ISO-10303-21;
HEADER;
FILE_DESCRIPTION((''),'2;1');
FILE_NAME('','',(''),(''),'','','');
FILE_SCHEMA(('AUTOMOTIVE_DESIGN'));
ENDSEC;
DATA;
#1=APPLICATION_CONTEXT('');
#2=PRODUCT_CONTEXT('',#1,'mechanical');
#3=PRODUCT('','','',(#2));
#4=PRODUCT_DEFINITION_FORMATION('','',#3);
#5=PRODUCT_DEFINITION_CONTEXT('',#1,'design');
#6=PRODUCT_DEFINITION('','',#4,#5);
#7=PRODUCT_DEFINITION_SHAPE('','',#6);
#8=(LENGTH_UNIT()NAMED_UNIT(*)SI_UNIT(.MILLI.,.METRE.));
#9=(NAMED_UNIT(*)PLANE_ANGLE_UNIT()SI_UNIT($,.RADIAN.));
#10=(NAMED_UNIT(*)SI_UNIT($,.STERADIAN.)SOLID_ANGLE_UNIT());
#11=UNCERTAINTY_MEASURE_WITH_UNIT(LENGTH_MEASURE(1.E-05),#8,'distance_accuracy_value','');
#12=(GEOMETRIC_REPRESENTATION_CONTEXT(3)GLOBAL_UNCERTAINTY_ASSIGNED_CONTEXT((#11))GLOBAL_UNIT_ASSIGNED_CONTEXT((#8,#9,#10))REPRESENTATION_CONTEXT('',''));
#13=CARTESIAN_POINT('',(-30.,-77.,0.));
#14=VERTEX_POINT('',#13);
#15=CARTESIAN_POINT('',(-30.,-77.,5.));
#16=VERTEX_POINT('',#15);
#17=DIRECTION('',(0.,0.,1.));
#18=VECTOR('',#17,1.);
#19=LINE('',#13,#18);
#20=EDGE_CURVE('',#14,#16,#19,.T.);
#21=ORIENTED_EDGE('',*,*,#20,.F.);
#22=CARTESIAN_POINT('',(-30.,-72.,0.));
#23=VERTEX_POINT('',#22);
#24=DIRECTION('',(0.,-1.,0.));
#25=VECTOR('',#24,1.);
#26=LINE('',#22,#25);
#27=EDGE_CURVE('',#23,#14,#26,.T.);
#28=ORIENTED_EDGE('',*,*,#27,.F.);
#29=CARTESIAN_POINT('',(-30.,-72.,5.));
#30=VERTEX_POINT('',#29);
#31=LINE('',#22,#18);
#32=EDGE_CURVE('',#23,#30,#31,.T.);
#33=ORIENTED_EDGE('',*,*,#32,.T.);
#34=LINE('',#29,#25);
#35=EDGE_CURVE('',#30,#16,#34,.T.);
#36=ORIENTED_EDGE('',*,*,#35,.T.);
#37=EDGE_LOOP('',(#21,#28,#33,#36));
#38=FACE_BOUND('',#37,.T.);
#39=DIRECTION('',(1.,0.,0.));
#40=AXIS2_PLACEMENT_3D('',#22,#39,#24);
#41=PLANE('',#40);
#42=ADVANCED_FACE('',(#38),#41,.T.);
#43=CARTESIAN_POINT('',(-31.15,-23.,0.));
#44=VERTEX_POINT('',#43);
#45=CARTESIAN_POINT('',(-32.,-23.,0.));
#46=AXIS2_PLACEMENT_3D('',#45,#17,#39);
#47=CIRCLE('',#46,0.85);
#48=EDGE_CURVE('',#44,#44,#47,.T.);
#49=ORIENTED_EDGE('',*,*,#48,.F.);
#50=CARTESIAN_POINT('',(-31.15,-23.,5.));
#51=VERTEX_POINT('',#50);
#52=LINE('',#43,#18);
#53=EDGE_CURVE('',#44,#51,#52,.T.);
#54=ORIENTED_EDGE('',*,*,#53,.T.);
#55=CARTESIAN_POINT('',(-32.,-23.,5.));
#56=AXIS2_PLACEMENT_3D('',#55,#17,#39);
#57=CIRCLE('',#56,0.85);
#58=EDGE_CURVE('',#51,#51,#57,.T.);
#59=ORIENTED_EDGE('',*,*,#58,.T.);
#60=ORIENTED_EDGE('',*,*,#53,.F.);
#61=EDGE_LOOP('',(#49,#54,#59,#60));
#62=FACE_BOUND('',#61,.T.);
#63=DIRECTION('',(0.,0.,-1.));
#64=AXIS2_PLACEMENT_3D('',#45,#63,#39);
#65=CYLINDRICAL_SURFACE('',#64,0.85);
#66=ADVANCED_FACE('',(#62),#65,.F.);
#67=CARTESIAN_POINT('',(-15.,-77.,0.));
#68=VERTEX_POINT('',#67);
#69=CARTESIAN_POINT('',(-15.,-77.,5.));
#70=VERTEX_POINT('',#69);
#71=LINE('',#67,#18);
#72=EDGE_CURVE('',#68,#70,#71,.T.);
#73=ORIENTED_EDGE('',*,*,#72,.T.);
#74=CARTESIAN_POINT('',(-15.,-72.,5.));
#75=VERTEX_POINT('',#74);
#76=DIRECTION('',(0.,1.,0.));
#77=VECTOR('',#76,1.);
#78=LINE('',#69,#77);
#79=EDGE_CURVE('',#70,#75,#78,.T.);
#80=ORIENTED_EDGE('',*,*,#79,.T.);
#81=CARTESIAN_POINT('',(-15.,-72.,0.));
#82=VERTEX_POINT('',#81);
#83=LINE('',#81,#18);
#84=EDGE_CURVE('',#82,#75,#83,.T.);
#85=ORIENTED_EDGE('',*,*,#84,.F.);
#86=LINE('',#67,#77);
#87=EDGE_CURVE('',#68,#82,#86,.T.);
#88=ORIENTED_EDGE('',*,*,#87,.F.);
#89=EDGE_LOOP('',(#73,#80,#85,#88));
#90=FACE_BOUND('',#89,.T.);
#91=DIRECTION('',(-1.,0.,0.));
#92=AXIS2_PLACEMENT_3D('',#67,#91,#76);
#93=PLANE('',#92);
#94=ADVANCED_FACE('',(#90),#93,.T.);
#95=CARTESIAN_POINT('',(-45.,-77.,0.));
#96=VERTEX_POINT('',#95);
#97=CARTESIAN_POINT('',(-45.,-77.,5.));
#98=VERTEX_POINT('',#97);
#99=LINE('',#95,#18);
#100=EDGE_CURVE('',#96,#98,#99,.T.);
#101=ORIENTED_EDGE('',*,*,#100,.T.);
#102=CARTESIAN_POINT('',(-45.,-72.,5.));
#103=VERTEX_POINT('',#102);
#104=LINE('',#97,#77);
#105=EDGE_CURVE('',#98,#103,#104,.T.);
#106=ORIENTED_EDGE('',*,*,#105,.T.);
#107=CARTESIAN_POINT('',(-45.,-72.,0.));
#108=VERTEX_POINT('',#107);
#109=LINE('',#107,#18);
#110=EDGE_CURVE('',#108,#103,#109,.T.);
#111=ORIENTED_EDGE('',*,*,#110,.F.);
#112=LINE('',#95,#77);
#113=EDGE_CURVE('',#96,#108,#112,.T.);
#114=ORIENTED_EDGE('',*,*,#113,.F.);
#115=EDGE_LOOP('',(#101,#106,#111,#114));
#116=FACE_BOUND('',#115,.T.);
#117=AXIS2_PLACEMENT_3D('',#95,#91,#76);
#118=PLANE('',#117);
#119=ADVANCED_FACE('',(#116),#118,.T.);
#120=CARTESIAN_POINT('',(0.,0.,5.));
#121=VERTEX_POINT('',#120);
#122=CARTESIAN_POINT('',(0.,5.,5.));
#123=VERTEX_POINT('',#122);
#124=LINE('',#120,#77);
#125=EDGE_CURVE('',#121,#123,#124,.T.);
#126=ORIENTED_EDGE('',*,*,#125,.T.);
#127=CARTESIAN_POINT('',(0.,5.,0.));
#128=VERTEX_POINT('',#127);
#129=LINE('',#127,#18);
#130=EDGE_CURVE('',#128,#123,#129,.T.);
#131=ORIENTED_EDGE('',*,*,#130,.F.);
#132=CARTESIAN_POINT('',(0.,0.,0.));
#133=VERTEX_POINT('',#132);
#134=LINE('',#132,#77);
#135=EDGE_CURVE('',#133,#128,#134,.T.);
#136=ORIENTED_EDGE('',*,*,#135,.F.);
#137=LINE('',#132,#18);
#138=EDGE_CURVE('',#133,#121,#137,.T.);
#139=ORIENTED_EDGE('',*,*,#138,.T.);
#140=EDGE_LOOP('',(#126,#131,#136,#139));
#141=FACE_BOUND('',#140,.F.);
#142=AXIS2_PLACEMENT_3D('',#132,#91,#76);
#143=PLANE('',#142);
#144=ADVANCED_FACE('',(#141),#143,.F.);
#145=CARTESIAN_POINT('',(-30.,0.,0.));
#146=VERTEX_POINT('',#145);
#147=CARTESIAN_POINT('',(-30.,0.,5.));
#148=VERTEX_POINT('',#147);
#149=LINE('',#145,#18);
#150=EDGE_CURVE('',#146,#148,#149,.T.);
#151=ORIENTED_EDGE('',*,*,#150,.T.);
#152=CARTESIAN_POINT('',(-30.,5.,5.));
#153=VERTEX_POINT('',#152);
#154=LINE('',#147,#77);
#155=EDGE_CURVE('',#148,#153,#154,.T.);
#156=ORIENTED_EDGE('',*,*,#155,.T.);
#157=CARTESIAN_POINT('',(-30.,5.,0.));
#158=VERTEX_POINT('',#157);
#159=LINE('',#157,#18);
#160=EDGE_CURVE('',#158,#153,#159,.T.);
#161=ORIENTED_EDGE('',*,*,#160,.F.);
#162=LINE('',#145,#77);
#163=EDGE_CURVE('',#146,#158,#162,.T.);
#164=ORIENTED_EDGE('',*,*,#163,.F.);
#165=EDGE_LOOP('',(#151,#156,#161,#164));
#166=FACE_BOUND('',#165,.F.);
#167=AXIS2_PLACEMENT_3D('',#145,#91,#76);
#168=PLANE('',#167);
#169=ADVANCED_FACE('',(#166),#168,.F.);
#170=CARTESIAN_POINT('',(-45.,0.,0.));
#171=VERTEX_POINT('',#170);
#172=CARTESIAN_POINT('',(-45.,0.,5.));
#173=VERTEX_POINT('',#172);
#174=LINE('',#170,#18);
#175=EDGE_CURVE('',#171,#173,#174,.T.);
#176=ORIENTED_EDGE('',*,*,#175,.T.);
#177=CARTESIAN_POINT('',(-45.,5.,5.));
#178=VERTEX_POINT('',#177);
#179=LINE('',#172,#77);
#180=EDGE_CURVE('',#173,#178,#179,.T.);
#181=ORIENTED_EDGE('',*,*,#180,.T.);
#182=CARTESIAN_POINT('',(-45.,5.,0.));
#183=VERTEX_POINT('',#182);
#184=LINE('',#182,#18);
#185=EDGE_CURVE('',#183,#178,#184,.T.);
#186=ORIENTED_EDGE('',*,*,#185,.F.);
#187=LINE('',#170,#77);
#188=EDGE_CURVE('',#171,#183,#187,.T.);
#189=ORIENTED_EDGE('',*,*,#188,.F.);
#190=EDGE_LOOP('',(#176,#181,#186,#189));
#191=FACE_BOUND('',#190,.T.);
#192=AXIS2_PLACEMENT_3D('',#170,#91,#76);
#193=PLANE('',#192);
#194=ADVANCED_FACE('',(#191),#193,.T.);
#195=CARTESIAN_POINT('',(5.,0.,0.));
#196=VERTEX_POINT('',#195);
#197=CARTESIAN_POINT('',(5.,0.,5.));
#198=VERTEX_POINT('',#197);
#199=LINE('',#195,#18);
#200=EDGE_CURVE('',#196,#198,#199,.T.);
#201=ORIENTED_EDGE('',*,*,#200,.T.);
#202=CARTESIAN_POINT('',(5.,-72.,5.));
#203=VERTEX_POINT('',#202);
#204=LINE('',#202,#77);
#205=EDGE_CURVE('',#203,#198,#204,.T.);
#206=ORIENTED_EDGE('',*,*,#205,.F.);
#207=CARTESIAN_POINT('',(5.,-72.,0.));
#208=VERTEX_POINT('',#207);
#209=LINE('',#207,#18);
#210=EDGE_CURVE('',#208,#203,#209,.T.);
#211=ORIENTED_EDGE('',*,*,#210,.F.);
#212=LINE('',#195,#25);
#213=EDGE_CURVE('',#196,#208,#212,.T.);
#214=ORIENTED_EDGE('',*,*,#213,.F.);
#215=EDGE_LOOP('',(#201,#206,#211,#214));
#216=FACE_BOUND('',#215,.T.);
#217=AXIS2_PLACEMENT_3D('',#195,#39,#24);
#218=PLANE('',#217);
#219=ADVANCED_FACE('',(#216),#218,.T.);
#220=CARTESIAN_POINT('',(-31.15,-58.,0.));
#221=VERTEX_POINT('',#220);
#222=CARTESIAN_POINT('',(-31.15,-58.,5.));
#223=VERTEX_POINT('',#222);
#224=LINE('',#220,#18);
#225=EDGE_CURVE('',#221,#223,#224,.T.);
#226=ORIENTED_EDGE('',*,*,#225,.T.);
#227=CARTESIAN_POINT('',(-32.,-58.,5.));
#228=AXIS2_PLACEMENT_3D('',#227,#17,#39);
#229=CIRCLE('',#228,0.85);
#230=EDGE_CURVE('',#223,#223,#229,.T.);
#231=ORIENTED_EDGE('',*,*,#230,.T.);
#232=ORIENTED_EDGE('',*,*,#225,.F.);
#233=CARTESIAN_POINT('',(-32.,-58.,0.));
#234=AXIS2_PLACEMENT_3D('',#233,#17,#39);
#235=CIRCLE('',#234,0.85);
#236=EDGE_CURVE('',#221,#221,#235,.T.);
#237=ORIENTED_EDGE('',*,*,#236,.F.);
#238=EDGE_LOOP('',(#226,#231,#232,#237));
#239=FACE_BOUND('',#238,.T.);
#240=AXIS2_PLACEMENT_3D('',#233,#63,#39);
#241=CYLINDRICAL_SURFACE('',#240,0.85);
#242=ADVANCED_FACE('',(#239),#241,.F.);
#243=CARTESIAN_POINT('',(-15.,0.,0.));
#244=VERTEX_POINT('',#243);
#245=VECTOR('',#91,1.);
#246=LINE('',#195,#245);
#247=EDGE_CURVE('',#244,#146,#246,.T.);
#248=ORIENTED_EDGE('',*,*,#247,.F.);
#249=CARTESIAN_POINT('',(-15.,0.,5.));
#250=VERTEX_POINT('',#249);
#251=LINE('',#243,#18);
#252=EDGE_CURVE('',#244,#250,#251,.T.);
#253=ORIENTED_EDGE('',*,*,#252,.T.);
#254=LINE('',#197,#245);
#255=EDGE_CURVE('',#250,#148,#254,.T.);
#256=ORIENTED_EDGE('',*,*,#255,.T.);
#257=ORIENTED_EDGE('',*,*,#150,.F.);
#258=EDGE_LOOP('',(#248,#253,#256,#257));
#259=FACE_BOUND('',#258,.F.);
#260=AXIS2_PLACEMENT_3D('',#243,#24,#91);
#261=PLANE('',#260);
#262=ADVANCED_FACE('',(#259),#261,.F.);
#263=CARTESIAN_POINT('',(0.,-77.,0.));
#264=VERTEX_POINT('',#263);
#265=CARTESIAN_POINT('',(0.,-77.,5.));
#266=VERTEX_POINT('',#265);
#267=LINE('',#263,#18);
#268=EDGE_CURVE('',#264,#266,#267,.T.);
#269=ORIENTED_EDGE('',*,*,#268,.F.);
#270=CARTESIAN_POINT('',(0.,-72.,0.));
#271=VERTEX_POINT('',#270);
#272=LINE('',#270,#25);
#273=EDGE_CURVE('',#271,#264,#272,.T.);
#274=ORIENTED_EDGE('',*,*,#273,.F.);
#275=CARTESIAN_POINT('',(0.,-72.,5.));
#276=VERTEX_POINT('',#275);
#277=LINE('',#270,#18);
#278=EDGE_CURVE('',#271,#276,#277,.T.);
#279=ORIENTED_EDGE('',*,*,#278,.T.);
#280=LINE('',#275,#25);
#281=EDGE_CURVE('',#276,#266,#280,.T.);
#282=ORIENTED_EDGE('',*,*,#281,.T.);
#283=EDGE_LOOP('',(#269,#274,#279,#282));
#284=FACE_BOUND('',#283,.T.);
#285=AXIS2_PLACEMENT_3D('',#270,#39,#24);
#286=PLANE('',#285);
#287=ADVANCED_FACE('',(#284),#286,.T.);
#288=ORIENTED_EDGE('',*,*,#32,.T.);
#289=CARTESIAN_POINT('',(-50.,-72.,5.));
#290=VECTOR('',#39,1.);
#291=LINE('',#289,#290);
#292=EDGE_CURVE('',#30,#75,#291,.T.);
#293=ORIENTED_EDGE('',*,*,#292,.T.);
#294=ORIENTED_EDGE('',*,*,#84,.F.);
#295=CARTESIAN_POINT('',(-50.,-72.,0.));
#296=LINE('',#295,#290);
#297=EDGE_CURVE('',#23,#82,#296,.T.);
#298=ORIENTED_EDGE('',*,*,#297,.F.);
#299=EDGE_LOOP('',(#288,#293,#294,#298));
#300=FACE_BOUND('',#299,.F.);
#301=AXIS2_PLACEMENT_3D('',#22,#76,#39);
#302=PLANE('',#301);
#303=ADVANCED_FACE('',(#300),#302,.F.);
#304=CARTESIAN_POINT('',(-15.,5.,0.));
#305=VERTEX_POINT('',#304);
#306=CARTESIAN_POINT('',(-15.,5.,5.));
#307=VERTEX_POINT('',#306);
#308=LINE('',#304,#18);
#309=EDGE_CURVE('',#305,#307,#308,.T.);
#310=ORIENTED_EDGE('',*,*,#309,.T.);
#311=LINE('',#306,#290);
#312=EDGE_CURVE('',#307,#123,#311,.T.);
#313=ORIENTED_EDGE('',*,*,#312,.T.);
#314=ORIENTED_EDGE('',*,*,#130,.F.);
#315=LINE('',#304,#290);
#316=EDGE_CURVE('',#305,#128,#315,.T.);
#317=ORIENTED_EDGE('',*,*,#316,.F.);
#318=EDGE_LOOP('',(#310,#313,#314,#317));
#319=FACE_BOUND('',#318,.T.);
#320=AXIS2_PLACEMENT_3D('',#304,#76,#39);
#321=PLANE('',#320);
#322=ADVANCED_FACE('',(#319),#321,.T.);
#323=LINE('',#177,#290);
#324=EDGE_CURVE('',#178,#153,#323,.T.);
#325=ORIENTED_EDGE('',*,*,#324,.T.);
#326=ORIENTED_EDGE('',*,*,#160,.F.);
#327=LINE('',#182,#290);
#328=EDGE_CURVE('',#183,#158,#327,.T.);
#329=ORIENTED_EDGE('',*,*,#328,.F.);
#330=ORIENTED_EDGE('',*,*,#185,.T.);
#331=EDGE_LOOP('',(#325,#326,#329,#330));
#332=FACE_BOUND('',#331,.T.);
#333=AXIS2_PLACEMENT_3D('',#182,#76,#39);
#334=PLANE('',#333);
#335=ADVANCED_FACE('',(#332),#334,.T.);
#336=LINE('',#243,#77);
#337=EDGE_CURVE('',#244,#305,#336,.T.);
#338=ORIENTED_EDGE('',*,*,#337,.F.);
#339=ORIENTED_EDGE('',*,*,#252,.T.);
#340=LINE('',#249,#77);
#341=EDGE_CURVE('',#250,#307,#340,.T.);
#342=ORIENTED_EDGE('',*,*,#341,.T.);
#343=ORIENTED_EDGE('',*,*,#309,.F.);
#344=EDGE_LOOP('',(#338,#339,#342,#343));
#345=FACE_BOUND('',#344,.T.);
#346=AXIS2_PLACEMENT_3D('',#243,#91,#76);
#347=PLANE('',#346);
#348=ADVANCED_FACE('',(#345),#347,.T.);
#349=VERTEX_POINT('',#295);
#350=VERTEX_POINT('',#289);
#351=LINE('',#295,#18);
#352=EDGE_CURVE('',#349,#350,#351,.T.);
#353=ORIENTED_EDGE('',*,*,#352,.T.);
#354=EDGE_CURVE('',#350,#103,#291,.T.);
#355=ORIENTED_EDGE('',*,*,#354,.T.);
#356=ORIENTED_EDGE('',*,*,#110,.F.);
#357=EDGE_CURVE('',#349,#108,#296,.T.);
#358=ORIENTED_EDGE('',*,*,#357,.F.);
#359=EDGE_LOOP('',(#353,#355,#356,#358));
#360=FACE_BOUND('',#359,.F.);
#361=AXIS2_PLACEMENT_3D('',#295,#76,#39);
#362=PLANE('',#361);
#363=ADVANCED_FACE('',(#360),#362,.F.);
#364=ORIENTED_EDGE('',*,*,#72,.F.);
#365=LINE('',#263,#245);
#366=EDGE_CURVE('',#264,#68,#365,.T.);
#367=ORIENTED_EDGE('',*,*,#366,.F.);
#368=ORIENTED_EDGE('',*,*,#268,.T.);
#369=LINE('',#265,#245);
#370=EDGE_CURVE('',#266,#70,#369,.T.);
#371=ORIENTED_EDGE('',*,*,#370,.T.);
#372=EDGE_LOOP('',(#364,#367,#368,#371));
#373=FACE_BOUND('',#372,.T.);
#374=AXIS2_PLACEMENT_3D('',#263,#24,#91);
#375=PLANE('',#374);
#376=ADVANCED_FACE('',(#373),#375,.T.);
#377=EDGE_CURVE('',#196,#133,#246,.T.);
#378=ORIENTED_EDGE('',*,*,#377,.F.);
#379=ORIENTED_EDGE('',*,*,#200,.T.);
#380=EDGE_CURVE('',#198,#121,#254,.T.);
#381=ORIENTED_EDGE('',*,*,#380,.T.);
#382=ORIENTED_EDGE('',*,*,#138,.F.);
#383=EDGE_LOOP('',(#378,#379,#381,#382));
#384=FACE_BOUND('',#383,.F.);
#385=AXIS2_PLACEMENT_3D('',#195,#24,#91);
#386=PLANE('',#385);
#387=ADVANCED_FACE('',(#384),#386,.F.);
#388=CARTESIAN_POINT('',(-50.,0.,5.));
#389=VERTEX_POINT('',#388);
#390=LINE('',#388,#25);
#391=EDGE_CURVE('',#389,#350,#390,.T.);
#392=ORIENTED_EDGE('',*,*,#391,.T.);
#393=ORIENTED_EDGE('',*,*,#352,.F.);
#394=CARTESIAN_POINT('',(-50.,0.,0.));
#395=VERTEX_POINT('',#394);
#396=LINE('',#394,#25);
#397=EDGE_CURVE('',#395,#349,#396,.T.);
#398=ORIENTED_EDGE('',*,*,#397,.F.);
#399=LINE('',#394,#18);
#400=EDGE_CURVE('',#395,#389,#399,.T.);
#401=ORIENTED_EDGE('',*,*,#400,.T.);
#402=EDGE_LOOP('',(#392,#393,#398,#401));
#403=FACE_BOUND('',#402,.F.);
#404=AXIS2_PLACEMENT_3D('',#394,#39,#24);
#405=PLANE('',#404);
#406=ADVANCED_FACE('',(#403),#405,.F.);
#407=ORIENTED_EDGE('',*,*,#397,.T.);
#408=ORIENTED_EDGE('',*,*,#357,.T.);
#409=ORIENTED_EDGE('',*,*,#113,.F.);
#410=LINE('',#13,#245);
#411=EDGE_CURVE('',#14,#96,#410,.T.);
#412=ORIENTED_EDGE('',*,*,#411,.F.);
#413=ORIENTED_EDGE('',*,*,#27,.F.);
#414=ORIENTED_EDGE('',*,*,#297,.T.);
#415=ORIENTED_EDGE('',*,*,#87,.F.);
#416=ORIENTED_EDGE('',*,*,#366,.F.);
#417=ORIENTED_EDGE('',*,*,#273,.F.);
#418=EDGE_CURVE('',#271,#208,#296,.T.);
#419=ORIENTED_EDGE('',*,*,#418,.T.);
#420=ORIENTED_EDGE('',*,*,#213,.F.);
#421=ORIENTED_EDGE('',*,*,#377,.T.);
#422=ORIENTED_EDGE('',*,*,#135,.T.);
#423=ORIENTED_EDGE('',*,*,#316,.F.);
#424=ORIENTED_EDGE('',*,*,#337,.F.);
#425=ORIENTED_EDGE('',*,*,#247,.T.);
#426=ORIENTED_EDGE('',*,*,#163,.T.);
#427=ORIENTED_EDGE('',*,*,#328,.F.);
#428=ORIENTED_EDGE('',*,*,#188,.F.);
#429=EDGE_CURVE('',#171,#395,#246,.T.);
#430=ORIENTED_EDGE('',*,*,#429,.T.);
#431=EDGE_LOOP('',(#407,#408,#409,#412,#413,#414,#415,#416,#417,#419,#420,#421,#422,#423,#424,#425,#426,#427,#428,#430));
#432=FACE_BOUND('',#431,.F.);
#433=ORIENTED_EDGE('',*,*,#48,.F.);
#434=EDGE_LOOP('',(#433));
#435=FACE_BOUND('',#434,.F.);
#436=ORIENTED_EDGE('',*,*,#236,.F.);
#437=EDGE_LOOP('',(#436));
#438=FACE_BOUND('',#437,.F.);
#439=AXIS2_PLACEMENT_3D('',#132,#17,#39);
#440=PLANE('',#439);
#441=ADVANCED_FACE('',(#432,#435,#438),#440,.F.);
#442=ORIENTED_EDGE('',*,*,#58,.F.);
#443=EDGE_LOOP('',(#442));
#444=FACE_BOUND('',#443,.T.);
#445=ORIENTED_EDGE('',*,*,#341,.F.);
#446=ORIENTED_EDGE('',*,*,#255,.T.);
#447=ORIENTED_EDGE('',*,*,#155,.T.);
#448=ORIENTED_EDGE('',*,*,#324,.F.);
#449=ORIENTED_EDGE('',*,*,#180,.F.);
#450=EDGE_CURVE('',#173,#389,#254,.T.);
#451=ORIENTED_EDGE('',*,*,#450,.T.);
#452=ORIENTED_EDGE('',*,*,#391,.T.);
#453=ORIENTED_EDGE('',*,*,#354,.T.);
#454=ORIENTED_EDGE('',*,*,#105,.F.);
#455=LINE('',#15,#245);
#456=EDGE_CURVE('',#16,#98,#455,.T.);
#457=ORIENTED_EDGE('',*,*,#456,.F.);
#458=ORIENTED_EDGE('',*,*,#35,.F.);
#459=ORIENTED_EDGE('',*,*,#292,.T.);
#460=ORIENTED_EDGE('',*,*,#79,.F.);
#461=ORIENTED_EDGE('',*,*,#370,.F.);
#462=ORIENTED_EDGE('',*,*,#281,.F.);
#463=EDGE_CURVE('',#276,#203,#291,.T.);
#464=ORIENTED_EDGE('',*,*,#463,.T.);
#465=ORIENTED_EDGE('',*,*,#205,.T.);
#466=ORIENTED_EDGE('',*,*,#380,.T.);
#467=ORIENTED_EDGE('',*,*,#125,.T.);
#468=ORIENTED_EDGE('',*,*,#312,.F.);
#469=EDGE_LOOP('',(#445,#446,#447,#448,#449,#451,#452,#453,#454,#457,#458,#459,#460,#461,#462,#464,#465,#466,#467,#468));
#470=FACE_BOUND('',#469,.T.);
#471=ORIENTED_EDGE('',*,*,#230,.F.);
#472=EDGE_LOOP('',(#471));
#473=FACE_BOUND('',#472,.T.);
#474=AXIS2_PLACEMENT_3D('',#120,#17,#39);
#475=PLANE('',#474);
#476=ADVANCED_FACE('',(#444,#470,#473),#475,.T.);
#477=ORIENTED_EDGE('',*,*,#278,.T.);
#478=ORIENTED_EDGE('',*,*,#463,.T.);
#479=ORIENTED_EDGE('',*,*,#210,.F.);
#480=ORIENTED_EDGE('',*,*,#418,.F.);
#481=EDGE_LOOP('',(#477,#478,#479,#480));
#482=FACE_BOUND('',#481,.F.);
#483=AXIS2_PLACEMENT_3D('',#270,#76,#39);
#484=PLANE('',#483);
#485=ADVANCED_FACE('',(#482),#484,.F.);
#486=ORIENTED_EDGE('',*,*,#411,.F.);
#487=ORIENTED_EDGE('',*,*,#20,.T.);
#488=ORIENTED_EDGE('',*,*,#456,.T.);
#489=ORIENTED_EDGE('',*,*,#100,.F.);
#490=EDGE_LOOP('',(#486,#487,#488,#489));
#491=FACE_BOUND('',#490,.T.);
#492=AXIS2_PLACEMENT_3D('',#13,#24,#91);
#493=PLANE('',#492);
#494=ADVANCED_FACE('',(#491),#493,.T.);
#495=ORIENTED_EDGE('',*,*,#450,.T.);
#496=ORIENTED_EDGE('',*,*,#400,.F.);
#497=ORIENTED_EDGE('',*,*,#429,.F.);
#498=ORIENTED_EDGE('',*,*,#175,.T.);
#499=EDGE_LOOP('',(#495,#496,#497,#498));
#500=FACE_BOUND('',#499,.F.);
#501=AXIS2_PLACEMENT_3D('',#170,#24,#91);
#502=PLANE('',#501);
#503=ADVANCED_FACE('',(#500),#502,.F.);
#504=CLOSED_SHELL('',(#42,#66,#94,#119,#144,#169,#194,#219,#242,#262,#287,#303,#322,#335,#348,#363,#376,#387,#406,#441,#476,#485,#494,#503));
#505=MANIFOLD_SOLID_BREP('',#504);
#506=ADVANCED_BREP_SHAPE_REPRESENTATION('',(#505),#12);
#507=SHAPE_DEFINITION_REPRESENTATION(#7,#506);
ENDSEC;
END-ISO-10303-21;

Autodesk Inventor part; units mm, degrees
ref_plane "YZ Plane" through (0, 0, 0) normal (1, 0, 0) x (0, 1, 0)
ref_plane "XZ Plane" through (0, 0, 0) normal (0, 1, 0) x (-1, 0, 0)
ref_plane "XY Plane" through (0, 0, 0) normal (0, 0, 1) x (1, 0, 0)
sketch "草图1" plane through (0, 0, 0) normal (0, 0, 1) x (1, 0, 0)
  line L0 (-30, 0) -> (-45, 0) projected
  line L1 (-30, 0) -> (-30, 5) projected
  line L2 (-45, 5) -> (-30, 5) projected
  line L3 (-45, 0) -> (-45, 5) projected
  line L4 (0, 0) -> (-15, 0) projected
  line L5 (0, 0) -> (0, 5) projected
  line L6 (-15, 5) -> (0, 5) projected
  line L7 (-15, 0) -> (-15, 5) projected
  line L8 (-42, -72) -> (-37, -72) projected
  line L9 (5, 0) -> (5, -12.0239) projected
  line L10 (5, 0) -> (-50, 0)
  line L11 (-50, 0) -> (-50, -72)
  line L12 (-50, -72) -> (5, -72)
  line L13 (5, -72) -> (5, 0)
  line L14 (-45, -72) -> (-30, -72)
  line L15 (-30, -72) -> (-30, -77)
  line L16 (-30, -77) -> (-45, -77)
  line L17 (-45, -77) -> (-45, -72)
  line L18 (-15, -72) -> (0, -72)
  line L19 (0, -72) -> (0, -77)
  line L20 (0, -77) -> (-15, -77)
  line L21 (-15, -77) -> (-15, -72)
  circle A0 centre (-32, -58) radius 0.85
  circle A1 centre (-32, -23) radius 0.85
  dimension "d0" = 55
  dimension "d1" = 5
  dimension "d2" = 1.7
  dimension "d3" = 14
  dimension "d4" = 37
  dimension "d5" = 1.7
  dimension "d6" = 35
  dimension "d7" = 18
extrude "拉伸1" add sketch "草图1" along normal blind 5
properties part number "drive-fix"
